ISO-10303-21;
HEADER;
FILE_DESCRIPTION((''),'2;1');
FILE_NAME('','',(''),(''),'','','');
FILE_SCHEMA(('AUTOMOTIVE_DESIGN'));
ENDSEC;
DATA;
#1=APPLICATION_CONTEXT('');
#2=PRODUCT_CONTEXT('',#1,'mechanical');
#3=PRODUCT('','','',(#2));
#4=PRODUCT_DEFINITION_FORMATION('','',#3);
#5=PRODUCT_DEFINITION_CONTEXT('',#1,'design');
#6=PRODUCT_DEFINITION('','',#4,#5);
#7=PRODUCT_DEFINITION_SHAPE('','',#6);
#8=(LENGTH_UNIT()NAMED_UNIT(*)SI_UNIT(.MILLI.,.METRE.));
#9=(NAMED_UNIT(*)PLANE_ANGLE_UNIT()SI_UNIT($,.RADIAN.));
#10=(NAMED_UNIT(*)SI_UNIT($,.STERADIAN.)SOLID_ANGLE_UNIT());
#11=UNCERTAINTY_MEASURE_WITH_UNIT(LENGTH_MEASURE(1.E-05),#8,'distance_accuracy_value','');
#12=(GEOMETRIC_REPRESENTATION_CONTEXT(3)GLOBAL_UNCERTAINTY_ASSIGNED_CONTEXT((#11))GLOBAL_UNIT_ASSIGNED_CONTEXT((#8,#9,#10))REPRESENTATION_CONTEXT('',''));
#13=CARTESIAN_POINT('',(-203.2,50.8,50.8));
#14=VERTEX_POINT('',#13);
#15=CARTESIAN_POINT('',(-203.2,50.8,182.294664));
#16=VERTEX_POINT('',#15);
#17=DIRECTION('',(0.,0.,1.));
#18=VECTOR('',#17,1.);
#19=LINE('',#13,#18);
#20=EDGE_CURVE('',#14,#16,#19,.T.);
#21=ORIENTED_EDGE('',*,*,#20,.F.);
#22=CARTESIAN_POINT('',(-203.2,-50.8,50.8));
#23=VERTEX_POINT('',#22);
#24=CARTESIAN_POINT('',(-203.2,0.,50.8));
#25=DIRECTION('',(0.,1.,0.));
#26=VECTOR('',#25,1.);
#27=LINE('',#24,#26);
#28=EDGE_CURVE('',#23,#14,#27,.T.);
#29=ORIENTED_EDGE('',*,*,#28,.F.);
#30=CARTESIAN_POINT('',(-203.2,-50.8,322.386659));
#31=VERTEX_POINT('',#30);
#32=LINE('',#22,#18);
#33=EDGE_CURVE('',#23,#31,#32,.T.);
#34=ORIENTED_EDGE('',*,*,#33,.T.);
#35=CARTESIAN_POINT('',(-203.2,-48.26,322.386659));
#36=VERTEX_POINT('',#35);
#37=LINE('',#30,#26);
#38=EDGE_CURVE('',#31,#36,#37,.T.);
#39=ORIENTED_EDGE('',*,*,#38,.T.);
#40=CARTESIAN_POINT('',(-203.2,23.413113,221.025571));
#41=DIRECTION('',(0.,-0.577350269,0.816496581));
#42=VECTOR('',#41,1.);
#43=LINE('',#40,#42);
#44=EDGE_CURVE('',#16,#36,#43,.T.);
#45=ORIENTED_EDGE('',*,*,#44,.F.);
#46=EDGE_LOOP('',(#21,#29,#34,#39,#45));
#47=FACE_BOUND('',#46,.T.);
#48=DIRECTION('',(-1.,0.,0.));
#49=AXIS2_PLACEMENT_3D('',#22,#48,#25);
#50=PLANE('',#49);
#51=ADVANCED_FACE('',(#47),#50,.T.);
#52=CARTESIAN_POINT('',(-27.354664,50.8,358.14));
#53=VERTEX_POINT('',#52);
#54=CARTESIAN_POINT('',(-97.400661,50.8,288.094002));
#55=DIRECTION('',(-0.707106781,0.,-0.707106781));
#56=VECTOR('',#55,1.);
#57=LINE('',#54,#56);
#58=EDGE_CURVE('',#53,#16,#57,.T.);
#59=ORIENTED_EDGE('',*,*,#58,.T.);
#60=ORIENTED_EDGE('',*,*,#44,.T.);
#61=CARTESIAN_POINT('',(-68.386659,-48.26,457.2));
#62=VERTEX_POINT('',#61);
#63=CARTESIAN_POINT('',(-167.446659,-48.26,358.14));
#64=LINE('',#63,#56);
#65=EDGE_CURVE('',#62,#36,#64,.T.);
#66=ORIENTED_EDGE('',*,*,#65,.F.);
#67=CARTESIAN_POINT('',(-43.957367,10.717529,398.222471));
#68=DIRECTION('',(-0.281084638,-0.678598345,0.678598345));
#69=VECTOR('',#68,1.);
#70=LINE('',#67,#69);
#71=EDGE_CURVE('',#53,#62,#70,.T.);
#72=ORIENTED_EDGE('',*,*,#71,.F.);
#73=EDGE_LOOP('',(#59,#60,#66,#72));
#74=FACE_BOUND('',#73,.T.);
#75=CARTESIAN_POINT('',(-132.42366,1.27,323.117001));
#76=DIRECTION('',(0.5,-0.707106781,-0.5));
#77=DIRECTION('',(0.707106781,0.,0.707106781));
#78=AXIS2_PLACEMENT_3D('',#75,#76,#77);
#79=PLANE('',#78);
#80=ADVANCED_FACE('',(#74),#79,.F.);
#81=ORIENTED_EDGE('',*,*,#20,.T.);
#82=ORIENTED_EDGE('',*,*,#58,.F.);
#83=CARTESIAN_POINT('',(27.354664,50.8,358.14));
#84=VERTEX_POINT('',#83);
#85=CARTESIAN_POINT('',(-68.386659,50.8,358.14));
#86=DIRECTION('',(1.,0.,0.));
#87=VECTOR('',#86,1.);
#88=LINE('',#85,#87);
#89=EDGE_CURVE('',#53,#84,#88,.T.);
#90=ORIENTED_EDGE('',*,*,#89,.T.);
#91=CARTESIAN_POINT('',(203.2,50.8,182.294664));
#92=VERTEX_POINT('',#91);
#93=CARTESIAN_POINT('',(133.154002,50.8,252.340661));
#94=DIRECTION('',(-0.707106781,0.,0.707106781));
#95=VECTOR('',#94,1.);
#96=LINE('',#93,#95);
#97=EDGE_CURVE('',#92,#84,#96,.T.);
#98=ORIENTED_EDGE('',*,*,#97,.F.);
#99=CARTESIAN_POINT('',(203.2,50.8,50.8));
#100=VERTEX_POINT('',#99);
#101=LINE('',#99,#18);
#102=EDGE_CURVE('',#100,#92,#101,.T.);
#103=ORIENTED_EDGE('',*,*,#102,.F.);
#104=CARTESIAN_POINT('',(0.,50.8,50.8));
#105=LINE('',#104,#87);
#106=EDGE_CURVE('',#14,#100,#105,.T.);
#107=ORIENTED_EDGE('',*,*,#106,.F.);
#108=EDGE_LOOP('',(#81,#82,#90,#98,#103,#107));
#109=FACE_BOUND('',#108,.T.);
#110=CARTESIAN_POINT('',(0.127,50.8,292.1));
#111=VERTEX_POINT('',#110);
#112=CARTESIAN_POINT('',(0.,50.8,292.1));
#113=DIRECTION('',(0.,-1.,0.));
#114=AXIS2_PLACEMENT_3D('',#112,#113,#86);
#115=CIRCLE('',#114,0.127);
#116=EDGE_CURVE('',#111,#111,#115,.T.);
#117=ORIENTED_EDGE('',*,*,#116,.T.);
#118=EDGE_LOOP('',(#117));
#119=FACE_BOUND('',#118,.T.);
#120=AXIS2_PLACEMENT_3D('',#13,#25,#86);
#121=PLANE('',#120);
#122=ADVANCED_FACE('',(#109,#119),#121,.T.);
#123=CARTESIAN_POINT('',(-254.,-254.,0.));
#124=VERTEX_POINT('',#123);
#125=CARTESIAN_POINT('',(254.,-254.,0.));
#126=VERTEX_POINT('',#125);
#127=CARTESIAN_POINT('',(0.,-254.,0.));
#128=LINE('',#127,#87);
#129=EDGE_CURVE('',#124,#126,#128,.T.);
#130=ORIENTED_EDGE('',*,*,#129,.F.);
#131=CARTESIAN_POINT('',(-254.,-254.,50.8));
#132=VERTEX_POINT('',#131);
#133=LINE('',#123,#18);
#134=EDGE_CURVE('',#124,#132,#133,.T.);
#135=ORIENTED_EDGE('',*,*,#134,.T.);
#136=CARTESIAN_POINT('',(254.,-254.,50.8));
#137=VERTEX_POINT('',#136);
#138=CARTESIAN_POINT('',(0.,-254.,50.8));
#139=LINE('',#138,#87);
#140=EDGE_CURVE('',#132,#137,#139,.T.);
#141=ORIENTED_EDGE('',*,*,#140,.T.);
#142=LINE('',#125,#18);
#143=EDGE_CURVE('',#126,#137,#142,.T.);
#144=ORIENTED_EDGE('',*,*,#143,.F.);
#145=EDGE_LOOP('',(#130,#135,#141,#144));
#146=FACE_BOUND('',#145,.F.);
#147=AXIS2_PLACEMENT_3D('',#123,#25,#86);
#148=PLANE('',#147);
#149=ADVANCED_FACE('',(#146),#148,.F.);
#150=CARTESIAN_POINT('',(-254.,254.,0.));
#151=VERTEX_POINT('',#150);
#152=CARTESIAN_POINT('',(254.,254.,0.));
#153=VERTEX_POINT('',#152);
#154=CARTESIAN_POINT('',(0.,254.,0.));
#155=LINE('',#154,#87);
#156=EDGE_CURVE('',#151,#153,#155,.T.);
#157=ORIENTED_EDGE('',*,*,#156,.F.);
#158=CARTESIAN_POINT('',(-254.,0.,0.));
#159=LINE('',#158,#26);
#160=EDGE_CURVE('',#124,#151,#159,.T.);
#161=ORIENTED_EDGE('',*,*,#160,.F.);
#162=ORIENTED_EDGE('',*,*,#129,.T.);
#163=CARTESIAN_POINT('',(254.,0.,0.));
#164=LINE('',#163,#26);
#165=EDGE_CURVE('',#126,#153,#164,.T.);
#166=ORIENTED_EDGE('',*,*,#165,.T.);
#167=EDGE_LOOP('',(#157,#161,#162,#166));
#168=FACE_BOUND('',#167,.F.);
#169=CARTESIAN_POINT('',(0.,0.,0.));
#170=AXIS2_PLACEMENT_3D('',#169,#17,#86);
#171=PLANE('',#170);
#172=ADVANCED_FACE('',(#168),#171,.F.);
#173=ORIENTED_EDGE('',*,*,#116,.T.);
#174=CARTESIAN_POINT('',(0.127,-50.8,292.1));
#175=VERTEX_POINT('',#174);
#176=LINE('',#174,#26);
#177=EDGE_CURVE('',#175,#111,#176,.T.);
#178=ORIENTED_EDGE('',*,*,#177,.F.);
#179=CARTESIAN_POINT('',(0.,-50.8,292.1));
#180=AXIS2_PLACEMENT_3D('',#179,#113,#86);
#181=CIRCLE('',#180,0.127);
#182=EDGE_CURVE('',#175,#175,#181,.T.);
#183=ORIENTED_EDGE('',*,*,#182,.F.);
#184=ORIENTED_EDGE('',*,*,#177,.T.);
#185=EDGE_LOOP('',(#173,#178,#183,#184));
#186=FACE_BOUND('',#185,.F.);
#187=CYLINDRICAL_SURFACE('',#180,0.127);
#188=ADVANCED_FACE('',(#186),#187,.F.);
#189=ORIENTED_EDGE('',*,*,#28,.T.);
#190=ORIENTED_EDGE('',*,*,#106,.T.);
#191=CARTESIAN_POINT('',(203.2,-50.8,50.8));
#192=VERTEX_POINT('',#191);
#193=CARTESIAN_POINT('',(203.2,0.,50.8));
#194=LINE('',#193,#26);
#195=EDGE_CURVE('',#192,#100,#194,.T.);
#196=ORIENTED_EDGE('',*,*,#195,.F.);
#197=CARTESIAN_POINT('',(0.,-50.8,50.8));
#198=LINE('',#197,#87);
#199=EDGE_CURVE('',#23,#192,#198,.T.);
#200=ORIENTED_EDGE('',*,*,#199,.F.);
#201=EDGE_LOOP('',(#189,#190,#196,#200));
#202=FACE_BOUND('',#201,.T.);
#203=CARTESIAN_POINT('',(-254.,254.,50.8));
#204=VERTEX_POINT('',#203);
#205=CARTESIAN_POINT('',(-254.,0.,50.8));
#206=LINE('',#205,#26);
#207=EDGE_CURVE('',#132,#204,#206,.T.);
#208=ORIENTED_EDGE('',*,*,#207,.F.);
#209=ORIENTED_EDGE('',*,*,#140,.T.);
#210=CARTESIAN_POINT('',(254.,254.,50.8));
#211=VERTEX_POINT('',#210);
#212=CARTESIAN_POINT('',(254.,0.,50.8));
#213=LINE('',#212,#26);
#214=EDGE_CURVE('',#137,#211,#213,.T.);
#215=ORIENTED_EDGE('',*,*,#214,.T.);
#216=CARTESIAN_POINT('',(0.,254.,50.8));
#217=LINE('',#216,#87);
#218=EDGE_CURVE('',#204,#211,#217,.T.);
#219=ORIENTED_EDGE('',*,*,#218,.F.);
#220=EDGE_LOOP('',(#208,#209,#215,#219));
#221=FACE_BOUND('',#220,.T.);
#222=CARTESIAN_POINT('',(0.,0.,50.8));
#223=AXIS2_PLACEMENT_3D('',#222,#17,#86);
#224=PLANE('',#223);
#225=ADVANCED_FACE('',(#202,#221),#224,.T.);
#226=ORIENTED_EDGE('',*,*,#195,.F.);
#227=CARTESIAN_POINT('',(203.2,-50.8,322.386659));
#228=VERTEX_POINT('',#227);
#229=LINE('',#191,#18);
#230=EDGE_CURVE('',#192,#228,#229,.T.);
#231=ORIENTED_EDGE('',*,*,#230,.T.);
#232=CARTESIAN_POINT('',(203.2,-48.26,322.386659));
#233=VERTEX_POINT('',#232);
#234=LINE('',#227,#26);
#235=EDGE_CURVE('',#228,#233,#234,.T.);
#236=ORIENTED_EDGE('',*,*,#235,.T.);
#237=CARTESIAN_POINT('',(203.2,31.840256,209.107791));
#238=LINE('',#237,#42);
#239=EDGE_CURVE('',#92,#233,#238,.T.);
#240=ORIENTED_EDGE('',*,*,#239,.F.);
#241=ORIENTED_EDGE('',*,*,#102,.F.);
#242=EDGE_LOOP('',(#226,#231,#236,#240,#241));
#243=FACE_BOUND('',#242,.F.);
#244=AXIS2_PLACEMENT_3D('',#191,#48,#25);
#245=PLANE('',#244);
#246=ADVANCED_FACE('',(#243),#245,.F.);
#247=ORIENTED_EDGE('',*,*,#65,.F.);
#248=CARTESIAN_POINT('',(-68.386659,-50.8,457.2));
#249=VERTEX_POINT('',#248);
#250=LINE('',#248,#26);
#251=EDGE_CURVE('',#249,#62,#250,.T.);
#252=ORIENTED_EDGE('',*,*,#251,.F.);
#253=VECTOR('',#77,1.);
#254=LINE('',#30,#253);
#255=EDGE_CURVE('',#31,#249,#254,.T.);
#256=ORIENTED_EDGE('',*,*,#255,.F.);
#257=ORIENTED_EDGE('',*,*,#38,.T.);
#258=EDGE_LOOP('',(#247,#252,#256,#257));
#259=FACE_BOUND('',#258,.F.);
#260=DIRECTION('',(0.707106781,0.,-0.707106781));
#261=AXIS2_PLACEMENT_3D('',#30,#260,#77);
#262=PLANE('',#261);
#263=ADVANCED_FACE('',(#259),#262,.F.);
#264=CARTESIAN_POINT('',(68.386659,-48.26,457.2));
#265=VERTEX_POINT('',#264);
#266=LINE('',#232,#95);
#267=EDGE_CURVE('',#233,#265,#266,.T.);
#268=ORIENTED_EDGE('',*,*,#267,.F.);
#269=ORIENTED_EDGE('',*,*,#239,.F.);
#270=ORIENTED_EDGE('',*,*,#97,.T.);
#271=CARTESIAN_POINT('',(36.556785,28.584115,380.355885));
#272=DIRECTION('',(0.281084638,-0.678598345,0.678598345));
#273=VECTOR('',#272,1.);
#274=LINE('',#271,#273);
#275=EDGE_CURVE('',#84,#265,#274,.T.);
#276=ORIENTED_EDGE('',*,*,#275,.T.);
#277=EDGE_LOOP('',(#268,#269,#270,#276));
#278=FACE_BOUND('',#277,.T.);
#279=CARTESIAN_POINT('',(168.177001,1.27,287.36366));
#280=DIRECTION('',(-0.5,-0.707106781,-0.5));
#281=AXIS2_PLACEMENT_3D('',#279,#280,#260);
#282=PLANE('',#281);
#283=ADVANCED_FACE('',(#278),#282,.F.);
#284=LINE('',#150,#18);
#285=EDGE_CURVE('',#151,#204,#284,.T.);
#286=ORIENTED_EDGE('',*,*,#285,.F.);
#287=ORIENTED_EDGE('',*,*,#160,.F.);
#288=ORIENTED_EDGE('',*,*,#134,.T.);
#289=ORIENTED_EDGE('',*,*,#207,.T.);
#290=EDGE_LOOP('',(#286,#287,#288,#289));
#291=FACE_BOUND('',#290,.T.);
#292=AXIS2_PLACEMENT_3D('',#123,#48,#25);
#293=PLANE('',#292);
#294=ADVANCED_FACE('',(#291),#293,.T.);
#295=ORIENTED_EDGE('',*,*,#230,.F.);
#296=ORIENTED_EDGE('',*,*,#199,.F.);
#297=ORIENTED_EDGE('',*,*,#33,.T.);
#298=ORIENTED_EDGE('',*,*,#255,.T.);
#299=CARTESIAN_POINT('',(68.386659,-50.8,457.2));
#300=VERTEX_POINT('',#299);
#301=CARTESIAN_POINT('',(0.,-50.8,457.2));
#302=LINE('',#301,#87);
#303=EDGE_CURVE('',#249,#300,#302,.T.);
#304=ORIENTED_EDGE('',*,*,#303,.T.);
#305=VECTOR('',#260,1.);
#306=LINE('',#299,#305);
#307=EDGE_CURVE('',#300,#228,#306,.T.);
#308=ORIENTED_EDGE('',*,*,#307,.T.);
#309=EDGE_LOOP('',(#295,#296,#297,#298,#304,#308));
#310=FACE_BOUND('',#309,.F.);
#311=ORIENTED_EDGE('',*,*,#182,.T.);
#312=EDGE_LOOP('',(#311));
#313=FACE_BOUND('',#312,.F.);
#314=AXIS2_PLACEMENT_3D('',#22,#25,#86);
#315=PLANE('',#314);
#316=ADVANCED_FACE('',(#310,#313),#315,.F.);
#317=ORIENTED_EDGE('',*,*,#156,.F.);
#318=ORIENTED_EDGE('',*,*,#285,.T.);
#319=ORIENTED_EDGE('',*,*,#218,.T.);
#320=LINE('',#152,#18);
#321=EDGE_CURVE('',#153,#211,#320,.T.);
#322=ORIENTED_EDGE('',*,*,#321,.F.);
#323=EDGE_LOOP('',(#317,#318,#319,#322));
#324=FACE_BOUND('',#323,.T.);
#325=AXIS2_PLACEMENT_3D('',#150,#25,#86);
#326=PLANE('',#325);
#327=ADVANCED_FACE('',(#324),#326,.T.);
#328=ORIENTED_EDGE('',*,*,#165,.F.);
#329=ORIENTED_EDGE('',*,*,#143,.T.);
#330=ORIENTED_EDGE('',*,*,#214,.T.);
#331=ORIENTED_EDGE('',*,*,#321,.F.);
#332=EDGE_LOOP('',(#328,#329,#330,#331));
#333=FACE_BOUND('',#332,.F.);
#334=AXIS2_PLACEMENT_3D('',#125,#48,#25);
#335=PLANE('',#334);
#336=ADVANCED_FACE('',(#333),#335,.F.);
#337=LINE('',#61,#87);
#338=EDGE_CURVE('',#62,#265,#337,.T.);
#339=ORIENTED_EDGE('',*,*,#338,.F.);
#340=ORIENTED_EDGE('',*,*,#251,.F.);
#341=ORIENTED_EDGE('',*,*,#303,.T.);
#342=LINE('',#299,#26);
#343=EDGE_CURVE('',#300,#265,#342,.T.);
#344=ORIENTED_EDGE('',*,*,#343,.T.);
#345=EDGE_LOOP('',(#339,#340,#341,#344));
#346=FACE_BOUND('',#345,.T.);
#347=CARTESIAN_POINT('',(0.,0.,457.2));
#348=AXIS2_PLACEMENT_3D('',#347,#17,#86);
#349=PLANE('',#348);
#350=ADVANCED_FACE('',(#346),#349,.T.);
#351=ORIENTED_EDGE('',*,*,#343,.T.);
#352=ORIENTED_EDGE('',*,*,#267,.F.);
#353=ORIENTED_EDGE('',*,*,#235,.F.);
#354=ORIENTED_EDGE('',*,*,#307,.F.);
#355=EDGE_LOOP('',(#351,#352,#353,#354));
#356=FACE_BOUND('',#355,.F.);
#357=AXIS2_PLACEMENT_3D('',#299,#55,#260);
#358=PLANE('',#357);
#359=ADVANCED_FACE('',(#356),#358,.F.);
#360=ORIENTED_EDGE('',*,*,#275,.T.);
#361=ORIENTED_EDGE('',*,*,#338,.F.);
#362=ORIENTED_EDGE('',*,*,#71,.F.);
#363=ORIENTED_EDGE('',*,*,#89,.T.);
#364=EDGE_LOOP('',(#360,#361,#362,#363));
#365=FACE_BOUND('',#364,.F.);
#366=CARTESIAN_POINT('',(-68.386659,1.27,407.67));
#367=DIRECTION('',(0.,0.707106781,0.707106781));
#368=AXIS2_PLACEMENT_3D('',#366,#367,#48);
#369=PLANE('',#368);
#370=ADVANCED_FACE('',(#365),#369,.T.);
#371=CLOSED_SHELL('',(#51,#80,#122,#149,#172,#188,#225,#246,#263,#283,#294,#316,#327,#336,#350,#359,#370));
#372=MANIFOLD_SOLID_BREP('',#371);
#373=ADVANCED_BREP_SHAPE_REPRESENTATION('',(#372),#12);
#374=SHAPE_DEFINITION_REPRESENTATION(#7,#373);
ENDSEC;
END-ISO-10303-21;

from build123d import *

# Parameters (mm, degrees)
F3_W      = 508
F3_H      = 508
F4_DEPTH  = 50.8
F5_W      = 406.4
F5_H      = 101.6
F6_DEPTH  = 406.4
F8_DEPTH  = 304.801
F9_SIZE   = 99.06
F10_SIZE  = 99.06
F15_R     = 0.127
F16_DEPTH = 304.801


with BuildPart() as f4:
    # F3 (on Top) → F4 (new body)
    with BuildSketch(Plane.XY):
        Rectangle(F3_W, F3_H)
    extrude(amount=F4_DEPTH)

    # F5 (on face) → F6 (join)
    with BuildSketch(Plane.XY.offset(50.8)):
        Rectangle(F5_W, F5_H)
    extrude(amount=F6_DEPTH)

    # F7 (on face) → F8 (cut, through all)
    with BuildSketch(Plane.XZ.offset(50.8)):
        Polygon((203.2, 322.3866591478), (203.2, 457.2), (68.3866591478, 457.2), align=None)
        Polygon((-68.3866591478, 457.2), (-203.2, 457.2), (-203.2, 322.3866591478), align=None)
    extrude(amount=-F8_DEPTH, mode=Mode.SUBTRACT)

    # F9
    f9_edges = [f4.edges().sort_by_distance(p)[0] for p in [
        (0, 50.8, 457.2),
    ]]
    chamfer(f9_edges, length=F9_SIZE)

    # F10
    f10_edges = [f4.edges().sort_by_distance(p)[0] for p in [
        (185.32333, 50.8, 340.26333),
        (-185.32333, 50.8, 340.26333),
    ]]
    chamfer(f10_edges, length=F10_SIZE)


with BuildPart() as f4_1:
    # F11: moved
    add(f4.part)


with BuildPart() as f4_2:
    # F14: moved
    add(f4_1.part)

    # F15 (on face) → F16 (cut, through all)
    with BuildSketch(Plane.XZ.offset(50.8)):
        with Locations((0, 292.1)):
            Circle(F15_R)
    extrude(amount=-F16_DEPTH, mode=Mode.SUBTRACT)


solid = f4_2.part
